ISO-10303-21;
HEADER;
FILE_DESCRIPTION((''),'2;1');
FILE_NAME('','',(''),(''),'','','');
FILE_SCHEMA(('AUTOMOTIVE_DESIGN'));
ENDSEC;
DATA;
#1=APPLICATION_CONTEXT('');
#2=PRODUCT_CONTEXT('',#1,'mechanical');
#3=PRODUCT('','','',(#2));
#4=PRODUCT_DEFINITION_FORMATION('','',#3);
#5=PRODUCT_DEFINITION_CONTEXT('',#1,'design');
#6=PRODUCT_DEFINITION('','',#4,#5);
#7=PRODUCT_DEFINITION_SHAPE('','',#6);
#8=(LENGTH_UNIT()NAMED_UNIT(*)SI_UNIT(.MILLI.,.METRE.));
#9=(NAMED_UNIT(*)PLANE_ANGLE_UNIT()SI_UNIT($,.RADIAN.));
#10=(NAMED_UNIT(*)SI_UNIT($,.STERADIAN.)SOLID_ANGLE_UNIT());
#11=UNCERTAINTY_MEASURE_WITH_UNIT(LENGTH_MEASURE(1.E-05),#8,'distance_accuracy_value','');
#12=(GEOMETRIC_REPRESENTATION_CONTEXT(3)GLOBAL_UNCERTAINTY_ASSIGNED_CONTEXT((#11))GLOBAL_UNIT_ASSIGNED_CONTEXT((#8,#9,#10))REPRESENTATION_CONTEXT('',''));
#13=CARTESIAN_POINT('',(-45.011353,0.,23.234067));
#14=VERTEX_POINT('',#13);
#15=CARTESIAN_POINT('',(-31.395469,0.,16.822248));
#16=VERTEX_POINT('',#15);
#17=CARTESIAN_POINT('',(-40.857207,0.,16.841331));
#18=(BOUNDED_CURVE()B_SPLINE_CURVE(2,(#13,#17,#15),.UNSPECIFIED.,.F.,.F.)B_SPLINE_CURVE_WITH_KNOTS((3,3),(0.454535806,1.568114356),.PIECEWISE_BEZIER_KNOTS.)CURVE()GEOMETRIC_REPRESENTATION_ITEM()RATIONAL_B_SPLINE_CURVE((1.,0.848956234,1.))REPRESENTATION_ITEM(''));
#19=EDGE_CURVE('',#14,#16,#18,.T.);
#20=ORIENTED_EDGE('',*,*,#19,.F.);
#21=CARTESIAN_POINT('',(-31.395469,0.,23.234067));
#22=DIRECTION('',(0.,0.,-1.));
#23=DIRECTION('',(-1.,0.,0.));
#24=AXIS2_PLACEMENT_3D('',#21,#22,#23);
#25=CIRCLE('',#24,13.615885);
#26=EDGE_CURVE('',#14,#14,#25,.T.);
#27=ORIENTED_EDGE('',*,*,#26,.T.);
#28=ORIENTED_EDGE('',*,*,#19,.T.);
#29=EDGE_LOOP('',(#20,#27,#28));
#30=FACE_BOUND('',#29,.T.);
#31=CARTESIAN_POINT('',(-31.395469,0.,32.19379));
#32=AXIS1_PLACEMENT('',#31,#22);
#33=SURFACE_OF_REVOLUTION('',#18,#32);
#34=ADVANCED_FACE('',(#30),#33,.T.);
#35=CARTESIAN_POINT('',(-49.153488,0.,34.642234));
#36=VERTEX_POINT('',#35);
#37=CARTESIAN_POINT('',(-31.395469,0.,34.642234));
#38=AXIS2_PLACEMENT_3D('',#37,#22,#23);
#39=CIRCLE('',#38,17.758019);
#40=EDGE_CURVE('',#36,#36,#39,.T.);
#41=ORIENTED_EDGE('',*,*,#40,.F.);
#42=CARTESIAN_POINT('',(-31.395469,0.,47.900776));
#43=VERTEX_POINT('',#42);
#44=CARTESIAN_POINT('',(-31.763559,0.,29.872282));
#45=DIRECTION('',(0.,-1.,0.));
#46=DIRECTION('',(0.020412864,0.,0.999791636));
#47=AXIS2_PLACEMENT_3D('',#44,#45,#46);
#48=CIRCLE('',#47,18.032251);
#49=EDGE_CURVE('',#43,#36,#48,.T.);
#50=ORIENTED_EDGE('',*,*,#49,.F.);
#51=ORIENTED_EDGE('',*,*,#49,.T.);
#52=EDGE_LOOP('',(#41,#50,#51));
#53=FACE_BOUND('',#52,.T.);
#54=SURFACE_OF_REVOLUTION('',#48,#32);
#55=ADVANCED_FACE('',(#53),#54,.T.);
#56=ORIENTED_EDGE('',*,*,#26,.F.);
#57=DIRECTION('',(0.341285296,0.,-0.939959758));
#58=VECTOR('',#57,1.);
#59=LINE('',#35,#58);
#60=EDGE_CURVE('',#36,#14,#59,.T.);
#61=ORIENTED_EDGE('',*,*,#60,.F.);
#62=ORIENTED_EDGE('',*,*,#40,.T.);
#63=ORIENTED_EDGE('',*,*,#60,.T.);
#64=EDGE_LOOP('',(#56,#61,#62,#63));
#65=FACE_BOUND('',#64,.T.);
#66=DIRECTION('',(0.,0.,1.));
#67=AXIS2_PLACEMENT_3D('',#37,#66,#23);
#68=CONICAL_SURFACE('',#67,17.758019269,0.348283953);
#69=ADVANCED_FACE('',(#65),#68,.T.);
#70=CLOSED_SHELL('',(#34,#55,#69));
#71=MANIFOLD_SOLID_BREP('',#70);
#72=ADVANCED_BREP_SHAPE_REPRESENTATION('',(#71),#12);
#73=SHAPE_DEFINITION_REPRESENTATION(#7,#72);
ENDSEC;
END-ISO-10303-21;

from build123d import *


with BuildPart() as f1:
    # F0 (on Front) → F1 (revolve)
    with BuildSketch(Plane.XZ):
        with BuildLine():
            Line((-49.1534881294, 34.6422344446), (-45.0113533996, 23.2340665346))
            add(Edge.make_bspline(
                [(-45.0113533996, 23.2340665346), (-40.8572068688, 16.8413310454), (-31.3954688609, 16.8222483788)],
                knots=[0.4545358056, 0.4545358056, 0.4545358056, 1.5681143564, 1.5681143564, 1.5681143564], degree=2, weights=[1, 0.8489562336, 1]))
            Line((-31.3954688609, 16.8222483788), (-31.3954688609, 47.900776189))
            ThreePointArc((-31.3954688609, 47.900776189), (-42.5516534484, 44.3214724608), (-49.1534881294, 34.6422344446))
        make_face()
    revolve(axis=Axis((-31.3954688609, 0, 32.1937899571), (0, 0, -1)))


solid = f1.part
